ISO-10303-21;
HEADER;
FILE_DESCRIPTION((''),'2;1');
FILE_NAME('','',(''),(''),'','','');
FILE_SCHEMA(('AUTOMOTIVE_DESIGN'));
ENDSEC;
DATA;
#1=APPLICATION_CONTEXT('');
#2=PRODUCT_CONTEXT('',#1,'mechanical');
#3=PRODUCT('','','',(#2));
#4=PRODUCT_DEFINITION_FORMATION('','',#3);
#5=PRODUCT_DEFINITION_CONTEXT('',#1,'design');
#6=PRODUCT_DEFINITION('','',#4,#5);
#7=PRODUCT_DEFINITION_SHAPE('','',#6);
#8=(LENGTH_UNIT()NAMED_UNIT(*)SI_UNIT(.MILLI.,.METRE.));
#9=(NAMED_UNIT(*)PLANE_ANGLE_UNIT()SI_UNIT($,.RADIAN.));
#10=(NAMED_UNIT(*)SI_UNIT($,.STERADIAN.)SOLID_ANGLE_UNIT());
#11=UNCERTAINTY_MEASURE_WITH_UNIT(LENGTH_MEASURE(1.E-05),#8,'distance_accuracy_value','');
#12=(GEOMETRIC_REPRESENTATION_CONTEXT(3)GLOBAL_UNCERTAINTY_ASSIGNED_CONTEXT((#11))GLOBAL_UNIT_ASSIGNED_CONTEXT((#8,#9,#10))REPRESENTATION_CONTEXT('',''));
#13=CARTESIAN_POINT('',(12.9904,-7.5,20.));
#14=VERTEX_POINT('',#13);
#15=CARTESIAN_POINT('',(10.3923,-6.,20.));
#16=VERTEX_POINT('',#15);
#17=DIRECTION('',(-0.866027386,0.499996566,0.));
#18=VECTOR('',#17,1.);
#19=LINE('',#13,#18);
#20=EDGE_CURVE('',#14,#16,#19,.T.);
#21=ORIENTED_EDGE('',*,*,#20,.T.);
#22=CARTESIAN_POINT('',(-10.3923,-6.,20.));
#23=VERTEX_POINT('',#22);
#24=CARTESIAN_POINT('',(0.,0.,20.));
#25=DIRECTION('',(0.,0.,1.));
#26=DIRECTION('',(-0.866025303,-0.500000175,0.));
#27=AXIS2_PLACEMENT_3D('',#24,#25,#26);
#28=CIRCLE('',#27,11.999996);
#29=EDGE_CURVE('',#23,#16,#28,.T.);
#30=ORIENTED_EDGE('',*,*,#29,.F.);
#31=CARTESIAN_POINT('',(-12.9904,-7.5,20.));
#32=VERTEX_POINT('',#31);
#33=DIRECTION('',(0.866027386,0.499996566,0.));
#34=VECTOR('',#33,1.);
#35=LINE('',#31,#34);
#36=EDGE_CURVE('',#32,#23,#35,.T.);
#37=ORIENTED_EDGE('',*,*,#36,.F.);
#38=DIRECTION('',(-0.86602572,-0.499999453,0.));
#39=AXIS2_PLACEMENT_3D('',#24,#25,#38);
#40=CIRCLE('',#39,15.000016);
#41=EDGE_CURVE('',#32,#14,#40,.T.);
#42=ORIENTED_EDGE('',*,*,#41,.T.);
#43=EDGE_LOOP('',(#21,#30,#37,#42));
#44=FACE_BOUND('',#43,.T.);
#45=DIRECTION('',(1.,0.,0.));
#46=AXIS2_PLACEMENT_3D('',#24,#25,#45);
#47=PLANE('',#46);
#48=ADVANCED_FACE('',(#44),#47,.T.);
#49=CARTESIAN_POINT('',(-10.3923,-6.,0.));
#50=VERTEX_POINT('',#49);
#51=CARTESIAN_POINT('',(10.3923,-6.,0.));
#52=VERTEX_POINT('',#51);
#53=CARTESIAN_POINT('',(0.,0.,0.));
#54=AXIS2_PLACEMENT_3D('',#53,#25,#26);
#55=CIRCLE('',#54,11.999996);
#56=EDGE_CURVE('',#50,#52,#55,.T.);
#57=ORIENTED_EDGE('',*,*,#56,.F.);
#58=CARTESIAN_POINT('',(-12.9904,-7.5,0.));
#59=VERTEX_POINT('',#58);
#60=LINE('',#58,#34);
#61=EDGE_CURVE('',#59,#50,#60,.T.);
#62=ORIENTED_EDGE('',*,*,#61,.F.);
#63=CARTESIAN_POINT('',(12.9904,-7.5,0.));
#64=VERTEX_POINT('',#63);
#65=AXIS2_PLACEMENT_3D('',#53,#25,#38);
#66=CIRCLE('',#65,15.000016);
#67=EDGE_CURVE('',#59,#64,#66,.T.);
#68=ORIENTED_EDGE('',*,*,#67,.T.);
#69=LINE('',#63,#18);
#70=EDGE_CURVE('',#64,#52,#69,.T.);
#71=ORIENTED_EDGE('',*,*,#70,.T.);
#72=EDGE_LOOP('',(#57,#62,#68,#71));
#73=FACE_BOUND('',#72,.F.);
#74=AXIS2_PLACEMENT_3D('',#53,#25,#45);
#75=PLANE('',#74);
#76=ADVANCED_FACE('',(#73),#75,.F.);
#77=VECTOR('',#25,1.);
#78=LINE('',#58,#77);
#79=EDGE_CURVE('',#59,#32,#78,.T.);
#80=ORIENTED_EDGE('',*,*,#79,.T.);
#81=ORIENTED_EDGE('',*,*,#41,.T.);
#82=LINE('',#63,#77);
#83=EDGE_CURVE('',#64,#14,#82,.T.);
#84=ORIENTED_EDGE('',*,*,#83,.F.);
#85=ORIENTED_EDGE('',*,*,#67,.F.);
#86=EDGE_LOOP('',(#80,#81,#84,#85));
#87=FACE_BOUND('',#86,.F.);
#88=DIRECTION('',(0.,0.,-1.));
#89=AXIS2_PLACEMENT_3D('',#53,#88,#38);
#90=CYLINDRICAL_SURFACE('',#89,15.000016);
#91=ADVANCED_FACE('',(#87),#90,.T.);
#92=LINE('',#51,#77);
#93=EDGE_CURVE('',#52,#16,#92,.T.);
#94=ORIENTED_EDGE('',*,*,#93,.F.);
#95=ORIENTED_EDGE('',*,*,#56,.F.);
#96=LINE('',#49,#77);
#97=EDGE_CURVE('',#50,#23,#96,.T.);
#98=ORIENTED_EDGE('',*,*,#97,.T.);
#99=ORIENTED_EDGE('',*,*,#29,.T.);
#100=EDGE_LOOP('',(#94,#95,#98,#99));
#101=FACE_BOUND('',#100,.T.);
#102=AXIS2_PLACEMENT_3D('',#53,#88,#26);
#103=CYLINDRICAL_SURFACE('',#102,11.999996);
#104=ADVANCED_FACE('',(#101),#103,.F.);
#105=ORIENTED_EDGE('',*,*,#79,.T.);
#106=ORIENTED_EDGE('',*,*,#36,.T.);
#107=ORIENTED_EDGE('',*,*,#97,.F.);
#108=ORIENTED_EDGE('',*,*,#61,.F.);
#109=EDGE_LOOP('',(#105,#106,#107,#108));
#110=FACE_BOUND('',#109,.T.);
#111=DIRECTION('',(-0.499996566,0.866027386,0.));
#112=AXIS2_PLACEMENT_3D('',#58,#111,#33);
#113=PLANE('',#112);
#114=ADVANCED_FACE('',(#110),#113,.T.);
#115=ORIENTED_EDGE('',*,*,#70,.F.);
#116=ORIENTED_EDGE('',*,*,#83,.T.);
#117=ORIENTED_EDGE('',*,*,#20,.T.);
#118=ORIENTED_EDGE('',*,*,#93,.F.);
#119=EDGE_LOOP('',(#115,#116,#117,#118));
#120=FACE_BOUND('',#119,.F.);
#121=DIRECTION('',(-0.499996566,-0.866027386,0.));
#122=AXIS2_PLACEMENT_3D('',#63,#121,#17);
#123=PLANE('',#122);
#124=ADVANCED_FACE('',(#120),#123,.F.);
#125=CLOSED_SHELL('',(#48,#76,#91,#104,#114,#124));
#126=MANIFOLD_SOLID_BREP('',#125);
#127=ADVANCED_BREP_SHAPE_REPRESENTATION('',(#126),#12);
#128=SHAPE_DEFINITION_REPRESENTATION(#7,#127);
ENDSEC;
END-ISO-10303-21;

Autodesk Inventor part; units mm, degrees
ref_plane "YZ Plane" through (0, 0, 0) normal (1, 0, 0) x (0, 1, 0)
ref_plane "XZ Plane" through (0, 0, 0) normal (0, 1, 0) x (-1, 0, 0)
ref_plane "XY Plane" through (0, 0, 0) normal (0, 0, 1) x (1, 0, 0)
sketch "Sketch1" plane through (0, 0, 0) normal (0, 0, 1) x (1, 0, 0)
  arc A0 (-12.9904, -7.5) -> (12.9904, -7.5) centre (0, 0) ccw
  line L0 (0, 0) -> (12.9904, -7.5) construction
  line L1 (0, 0) -> (15, 0) construction
  line L2 (0, 0) -> (-12.9904, -7.5) construction
  arc A1 (-10.3923, -6) -> (10.3923, -6) centre (0, 0) ccw
  line L3 (-12.9904, -7.5) -> (-10.3923, -6)
  line L4 (12.9904, -7.5) -> (10.3923, -6)
  dimension "d0" = 15
  dimension "d1" = 30
  dimension "d2" = 120
  dimension "d3" = 12
extrude "Extrusion1" add sketch "Sketch1" along normal blind 20
properties part number "goma"
